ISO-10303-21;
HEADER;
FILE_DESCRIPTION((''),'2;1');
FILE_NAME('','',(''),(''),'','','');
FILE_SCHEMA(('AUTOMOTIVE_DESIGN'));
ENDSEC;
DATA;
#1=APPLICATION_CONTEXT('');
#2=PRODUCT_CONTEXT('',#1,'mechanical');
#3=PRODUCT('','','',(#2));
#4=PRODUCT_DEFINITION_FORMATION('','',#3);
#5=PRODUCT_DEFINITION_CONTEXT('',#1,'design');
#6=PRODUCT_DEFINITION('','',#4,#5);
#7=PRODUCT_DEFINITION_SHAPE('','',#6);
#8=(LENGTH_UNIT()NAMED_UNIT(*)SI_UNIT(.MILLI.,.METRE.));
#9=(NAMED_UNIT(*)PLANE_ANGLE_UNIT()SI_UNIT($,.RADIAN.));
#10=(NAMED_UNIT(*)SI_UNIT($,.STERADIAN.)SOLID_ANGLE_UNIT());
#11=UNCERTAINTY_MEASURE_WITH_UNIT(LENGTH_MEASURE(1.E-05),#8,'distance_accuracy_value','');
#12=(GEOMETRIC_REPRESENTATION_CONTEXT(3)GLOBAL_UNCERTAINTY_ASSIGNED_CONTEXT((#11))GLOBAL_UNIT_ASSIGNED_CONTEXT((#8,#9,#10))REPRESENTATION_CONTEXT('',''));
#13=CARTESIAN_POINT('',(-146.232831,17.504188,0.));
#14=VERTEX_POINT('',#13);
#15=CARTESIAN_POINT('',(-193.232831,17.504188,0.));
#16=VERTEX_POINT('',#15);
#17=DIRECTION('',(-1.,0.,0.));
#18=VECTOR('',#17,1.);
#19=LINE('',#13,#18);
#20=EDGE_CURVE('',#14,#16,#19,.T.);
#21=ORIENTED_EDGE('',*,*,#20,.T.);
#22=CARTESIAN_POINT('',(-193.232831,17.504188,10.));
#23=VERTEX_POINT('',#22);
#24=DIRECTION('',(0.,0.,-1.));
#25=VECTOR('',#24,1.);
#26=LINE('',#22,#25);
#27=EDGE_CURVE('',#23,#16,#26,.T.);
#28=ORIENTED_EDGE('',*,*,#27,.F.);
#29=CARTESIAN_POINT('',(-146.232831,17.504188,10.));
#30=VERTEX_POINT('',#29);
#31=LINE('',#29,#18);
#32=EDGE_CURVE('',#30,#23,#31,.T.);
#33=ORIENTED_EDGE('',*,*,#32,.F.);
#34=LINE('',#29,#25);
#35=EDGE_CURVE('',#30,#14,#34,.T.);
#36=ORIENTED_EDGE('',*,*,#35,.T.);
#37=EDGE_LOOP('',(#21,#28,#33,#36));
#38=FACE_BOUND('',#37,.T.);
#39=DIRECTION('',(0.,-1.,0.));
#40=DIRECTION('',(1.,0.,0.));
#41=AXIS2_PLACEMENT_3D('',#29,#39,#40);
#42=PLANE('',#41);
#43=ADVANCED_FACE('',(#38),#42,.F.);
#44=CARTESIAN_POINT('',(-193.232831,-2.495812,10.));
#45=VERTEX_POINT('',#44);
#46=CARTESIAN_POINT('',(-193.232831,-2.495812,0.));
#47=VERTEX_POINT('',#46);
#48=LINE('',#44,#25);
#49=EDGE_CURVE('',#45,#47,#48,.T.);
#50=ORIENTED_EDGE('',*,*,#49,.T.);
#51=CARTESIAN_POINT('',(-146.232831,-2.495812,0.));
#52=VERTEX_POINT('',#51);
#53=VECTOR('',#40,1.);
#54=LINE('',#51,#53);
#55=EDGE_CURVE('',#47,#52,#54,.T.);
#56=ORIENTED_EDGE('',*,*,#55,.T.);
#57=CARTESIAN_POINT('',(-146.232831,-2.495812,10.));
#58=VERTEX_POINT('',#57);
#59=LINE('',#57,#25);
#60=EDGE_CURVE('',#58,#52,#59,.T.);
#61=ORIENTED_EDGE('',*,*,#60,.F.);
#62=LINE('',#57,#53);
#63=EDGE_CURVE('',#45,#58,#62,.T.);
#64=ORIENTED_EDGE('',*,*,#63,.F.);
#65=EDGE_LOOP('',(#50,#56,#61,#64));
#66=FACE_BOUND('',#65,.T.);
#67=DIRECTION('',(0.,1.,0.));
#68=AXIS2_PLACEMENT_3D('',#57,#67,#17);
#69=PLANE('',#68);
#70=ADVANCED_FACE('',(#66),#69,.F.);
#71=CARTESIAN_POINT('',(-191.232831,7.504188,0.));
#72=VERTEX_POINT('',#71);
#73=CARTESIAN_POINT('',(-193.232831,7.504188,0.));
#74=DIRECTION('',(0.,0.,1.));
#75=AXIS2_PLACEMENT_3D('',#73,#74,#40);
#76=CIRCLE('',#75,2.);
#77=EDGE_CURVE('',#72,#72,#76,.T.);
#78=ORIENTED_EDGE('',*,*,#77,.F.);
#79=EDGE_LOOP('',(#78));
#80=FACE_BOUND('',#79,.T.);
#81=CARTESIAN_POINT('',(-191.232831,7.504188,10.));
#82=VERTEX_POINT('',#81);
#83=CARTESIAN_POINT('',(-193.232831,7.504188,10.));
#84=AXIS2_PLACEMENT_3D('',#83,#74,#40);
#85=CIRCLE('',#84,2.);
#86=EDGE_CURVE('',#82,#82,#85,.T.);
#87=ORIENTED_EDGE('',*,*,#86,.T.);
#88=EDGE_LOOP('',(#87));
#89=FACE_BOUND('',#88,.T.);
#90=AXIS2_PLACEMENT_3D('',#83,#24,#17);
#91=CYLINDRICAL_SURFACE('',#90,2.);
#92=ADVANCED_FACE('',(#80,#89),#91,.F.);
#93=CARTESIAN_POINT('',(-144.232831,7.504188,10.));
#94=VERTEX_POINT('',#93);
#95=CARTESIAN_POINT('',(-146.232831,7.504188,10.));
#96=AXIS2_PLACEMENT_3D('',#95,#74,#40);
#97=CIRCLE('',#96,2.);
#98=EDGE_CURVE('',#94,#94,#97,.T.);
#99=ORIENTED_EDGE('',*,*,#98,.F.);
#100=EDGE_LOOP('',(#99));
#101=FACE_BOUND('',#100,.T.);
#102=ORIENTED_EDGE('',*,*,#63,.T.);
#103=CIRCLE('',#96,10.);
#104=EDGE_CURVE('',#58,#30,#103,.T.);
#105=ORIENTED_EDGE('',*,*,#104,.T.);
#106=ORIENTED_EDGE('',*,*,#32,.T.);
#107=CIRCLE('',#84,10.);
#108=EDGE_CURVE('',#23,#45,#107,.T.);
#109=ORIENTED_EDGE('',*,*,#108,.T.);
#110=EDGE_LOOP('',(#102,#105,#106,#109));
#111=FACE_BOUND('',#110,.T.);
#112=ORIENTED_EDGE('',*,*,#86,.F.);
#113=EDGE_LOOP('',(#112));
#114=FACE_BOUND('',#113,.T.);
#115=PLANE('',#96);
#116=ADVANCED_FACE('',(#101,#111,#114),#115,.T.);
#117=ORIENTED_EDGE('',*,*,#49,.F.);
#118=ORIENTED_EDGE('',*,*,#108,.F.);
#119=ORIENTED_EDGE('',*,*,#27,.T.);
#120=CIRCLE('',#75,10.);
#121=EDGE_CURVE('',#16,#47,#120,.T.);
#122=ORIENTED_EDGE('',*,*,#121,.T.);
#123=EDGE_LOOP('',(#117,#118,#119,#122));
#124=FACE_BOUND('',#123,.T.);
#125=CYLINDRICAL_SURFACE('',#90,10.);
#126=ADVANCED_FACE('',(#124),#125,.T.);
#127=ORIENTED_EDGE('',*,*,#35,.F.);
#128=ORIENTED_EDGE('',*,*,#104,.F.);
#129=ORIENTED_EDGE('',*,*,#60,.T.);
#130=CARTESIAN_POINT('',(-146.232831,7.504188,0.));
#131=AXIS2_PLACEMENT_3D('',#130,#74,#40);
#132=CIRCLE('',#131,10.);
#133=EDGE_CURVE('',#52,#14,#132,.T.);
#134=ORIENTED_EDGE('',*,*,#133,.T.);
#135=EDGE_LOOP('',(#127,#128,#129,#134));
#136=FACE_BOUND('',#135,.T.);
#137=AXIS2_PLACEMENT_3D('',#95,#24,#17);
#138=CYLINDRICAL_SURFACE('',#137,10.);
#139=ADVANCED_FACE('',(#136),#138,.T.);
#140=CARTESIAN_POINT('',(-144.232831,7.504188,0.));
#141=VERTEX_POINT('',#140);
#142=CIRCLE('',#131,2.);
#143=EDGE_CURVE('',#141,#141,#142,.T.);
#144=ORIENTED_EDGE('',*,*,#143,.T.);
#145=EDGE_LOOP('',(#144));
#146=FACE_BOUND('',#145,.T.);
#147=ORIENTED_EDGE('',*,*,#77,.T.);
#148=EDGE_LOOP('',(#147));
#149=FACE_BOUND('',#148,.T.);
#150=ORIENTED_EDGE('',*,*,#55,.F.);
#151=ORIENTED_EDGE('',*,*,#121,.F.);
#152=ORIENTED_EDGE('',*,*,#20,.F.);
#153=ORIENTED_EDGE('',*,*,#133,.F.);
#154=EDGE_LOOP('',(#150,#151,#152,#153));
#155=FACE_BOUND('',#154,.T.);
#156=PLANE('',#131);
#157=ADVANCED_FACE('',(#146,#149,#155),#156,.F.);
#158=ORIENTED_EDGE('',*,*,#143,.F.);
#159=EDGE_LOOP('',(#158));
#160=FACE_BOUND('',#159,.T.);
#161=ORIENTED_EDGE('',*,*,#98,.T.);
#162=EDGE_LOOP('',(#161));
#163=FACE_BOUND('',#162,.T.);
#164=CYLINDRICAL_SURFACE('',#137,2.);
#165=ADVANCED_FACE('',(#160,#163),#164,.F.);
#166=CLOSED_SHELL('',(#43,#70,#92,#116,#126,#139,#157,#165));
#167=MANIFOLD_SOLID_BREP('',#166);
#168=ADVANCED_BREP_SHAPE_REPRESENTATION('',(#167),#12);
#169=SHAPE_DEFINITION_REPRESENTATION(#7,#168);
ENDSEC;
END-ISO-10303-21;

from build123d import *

# Parameters (mm, degrees)
SKETCH1_R           = 2
BOSS_EXTRUDE1_DEPTH = 10


with BuildPart() as part:
    # Sketch1 → Boss-Extrude1 (new body)
    with BuildSketch(Plane.XY):
        with BuildLine():
            Line((-146.232830821, -2.495812395), (-193.232830821, -2.495812395))
            ThreePointArc((-193.232830821, -2.495812395), (-203.232830821, 7.504187605), (-193.232830821, 17.504187605))
            Line((-193.232830821, 17.504187605), (-146.232830821, 17.504187605))
            ThreePointArc((-146.232830821, 17.504187605), (-136.232830821, 7.504187605), (-146.232830821, -2.495812395))
        make_face()
        with Locations((-193.232830821, 7.504187605)):
            Circle(SKETCH1_R, mode=Mode.SUBTRACT)
        with Locations((-146.232830821, 7.504187605)):
            Circle(SKETCH1_R, mode=Mode.SUBTRACT)
    extrude(amount=BOSS_EXTRUDE1_DEPTH)


solid = part.part
